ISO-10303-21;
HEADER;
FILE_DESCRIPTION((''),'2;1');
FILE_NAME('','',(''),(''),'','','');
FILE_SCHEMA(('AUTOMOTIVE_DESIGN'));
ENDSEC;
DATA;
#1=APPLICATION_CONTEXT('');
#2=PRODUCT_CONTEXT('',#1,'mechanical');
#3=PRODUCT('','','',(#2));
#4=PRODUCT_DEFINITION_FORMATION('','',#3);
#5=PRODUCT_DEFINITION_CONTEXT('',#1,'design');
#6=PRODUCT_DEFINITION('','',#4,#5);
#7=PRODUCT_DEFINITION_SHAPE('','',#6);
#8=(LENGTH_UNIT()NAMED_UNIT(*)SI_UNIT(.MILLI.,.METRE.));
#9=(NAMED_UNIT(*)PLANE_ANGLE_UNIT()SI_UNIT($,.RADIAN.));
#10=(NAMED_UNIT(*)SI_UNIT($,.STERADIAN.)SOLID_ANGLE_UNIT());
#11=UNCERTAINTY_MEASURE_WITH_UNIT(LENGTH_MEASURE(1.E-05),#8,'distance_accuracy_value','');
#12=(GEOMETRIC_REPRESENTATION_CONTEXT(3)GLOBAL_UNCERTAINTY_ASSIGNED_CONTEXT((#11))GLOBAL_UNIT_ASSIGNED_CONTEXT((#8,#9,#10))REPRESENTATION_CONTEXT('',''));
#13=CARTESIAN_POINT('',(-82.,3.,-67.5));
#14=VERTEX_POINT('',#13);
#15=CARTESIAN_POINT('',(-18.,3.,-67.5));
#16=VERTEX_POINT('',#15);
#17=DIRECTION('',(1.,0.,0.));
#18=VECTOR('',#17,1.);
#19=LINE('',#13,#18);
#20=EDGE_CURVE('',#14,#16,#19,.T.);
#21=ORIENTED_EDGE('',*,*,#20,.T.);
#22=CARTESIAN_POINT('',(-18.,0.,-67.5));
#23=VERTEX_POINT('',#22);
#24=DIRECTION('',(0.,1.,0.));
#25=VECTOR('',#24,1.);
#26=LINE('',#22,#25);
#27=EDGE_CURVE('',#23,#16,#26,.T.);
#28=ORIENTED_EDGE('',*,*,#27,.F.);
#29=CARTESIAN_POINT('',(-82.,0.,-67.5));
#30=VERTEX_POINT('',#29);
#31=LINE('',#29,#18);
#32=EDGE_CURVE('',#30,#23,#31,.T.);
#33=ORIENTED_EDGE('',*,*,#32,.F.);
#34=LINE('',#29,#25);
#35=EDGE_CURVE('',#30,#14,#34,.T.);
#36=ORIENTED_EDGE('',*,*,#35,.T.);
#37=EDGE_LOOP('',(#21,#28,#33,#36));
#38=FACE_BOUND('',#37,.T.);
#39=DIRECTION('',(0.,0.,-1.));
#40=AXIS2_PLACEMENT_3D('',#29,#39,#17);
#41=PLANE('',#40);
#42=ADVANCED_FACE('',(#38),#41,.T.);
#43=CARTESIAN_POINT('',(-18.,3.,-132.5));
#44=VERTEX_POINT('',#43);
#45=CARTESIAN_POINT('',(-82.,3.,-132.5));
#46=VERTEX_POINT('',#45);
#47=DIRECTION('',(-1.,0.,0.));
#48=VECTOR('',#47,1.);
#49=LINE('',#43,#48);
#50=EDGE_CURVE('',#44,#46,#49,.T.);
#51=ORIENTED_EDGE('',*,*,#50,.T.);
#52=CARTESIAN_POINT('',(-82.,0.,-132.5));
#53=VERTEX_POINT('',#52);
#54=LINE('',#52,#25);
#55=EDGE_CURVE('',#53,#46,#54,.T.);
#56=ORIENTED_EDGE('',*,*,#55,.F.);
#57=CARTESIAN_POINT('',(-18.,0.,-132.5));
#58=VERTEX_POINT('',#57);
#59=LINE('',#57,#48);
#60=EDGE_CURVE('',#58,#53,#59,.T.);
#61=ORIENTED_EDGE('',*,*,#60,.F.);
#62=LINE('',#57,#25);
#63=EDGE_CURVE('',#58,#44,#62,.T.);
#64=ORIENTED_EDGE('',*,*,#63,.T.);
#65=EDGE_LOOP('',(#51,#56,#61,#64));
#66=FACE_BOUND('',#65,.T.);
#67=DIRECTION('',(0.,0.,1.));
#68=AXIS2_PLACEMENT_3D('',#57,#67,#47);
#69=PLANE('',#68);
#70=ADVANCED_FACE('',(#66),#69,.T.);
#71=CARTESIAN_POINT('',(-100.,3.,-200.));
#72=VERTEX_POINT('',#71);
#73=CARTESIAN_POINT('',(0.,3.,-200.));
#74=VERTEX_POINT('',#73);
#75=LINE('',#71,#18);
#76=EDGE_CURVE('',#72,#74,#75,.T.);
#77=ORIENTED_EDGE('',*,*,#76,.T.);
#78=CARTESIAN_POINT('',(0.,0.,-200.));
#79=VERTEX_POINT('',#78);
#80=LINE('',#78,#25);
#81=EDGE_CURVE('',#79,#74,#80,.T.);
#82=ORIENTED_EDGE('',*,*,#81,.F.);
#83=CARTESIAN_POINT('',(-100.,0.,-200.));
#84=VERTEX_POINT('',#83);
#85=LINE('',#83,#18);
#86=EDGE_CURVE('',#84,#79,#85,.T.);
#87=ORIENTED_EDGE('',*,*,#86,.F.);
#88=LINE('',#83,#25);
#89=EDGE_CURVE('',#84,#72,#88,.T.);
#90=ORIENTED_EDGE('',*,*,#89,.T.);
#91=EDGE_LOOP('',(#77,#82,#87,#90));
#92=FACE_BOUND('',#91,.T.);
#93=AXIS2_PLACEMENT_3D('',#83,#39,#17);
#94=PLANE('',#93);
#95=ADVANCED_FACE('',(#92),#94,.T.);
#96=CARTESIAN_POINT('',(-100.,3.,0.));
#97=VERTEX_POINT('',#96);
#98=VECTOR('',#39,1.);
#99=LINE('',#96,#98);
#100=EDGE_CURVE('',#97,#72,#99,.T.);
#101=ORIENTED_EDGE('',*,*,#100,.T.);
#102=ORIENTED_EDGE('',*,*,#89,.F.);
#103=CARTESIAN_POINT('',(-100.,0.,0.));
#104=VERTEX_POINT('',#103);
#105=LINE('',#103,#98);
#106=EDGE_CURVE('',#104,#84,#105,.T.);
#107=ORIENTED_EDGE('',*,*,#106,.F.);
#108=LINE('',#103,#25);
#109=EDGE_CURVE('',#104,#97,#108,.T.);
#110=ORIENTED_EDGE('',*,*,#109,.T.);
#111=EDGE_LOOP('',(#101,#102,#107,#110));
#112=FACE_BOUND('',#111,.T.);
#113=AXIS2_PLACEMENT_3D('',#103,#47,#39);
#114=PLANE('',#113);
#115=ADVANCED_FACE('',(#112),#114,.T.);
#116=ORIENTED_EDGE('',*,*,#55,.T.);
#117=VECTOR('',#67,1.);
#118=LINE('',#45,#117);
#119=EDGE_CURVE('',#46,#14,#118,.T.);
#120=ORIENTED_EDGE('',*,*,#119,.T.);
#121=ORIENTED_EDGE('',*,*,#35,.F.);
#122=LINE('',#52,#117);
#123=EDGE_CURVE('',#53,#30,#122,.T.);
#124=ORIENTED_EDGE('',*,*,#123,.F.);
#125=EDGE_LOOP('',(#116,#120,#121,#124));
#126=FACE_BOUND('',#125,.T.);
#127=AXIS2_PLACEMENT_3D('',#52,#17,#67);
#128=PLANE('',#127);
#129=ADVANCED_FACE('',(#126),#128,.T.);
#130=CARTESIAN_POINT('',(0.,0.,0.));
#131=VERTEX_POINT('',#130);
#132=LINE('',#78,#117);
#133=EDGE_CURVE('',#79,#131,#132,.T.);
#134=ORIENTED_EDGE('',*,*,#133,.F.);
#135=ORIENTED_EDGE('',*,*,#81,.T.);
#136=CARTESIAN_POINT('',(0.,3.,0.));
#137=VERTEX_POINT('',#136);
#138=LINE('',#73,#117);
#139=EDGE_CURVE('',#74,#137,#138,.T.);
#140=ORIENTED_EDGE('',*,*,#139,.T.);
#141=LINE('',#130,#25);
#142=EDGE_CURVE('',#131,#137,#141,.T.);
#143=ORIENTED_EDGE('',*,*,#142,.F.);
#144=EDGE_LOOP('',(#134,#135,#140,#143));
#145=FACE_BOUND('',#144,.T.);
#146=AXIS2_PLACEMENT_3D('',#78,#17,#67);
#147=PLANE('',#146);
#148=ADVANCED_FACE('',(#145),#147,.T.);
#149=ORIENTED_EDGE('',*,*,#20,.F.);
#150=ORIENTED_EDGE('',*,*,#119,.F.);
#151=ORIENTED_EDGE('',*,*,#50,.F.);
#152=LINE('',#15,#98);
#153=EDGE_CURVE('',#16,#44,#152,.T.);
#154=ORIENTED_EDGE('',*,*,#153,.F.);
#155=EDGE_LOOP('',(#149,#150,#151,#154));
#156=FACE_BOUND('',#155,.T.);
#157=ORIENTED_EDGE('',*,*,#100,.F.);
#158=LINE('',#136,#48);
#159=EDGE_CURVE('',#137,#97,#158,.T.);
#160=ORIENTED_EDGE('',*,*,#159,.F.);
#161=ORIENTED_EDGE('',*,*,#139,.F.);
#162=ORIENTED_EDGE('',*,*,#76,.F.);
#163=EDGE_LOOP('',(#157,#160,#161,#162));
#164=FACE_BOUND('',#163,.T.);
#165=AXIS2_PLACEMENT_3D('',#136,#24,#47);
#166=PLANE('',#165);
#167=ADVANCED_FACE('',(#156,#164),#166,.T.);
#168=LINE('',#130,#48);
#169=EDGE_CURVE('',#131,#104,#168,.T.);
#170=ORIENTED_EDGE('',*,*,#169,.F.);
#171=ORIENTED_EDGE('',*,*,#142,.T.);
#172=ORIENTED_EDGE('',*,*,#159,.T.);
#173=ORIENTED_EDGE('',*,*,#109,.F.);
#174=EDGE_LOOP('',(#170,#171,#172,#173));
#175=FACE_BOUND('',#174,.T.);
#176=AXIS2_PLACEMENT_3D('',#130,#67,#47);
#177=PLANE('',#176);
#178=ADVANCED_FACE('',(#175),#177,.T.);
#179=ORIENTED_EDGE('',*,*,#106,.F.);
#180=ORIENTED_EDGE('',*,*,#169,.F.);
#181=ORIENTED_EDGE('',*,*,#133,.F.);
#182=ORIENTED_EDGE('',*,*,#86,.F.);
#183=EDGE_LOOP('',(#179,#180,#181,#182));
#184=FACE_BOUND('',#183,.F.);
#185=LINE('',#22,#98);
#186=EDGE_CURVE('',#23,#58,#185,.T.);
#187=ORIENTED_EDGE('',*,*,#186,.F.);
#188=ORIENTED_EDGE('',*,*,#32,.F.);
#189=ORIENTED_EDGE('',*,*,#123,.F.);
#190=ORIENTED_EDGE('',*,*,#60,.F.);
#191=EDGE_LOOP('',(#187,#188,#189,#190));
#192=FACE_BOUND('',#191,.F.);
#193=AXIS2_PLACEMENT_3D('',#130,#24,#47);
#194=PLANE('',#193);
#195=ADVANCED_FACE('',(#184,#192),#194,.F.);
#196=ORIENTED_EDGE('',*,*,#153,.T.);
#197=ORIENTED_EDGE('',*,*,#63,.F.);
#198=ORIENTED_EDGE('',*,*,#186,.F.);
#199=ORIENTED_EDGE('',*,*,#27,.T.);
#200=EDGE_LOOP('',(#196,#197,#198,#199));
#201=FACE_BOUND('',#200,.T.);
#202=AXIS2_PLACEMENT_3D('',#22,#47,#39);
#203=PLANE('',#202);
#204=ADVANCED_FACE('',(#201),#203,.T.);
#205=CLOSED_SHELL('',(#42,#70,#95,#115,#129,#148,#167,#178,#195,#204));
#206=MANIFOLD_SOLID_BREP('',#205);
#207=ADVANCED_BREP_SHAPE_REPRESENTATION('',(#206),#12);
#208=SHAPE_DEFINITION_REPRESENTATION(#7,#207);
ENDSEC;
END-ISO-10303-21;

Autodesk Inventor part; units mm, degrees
ref_plane "YZ Plane" through (0, 0, 0) normal (1, 0, 0) x (0, 1, 0)
ref_plane "XZ Plane" through (0, 0, 0) normal (0, 1, 0) x (-1, 0, 0)
ref_plane "XY Plane" through (0, 0, 0) normal (0, 0, 1) x (1, 0, 0)
sketch "Sketch1" plane through (0, 0, 0) normal (0, 1, 0) x (-1, 0, 0)
  line L0 (0, 0) -> (100, 0)
  line L1 (100, 0) -> (100, -200)
  line L2 (100, -200) -> (0, -200)
  line L3 (0, -200) -> (0, 0)
  line L4 (82, -67.5) -> (18, -67.5)
  line L5 (18, -67.5) -> (18, -132.5)
  line L6 (18, -132.5) -> (82, -132.5)
  line L7 (82, -132.5) -> (82, -67.5)
  point P0 (100, -100)
  dimension "d0" = 200
  dimension "d1" = 100
  dimension "d2" = 65
  dimension "d3" = 64
  dimension "d4" = 18
  dimension "d5" = 67.5
extrude "Extrusion1" add sketch "Sketch1" along normal blind 3
properties part number "Q top1 new" material "ABS Plastic"
